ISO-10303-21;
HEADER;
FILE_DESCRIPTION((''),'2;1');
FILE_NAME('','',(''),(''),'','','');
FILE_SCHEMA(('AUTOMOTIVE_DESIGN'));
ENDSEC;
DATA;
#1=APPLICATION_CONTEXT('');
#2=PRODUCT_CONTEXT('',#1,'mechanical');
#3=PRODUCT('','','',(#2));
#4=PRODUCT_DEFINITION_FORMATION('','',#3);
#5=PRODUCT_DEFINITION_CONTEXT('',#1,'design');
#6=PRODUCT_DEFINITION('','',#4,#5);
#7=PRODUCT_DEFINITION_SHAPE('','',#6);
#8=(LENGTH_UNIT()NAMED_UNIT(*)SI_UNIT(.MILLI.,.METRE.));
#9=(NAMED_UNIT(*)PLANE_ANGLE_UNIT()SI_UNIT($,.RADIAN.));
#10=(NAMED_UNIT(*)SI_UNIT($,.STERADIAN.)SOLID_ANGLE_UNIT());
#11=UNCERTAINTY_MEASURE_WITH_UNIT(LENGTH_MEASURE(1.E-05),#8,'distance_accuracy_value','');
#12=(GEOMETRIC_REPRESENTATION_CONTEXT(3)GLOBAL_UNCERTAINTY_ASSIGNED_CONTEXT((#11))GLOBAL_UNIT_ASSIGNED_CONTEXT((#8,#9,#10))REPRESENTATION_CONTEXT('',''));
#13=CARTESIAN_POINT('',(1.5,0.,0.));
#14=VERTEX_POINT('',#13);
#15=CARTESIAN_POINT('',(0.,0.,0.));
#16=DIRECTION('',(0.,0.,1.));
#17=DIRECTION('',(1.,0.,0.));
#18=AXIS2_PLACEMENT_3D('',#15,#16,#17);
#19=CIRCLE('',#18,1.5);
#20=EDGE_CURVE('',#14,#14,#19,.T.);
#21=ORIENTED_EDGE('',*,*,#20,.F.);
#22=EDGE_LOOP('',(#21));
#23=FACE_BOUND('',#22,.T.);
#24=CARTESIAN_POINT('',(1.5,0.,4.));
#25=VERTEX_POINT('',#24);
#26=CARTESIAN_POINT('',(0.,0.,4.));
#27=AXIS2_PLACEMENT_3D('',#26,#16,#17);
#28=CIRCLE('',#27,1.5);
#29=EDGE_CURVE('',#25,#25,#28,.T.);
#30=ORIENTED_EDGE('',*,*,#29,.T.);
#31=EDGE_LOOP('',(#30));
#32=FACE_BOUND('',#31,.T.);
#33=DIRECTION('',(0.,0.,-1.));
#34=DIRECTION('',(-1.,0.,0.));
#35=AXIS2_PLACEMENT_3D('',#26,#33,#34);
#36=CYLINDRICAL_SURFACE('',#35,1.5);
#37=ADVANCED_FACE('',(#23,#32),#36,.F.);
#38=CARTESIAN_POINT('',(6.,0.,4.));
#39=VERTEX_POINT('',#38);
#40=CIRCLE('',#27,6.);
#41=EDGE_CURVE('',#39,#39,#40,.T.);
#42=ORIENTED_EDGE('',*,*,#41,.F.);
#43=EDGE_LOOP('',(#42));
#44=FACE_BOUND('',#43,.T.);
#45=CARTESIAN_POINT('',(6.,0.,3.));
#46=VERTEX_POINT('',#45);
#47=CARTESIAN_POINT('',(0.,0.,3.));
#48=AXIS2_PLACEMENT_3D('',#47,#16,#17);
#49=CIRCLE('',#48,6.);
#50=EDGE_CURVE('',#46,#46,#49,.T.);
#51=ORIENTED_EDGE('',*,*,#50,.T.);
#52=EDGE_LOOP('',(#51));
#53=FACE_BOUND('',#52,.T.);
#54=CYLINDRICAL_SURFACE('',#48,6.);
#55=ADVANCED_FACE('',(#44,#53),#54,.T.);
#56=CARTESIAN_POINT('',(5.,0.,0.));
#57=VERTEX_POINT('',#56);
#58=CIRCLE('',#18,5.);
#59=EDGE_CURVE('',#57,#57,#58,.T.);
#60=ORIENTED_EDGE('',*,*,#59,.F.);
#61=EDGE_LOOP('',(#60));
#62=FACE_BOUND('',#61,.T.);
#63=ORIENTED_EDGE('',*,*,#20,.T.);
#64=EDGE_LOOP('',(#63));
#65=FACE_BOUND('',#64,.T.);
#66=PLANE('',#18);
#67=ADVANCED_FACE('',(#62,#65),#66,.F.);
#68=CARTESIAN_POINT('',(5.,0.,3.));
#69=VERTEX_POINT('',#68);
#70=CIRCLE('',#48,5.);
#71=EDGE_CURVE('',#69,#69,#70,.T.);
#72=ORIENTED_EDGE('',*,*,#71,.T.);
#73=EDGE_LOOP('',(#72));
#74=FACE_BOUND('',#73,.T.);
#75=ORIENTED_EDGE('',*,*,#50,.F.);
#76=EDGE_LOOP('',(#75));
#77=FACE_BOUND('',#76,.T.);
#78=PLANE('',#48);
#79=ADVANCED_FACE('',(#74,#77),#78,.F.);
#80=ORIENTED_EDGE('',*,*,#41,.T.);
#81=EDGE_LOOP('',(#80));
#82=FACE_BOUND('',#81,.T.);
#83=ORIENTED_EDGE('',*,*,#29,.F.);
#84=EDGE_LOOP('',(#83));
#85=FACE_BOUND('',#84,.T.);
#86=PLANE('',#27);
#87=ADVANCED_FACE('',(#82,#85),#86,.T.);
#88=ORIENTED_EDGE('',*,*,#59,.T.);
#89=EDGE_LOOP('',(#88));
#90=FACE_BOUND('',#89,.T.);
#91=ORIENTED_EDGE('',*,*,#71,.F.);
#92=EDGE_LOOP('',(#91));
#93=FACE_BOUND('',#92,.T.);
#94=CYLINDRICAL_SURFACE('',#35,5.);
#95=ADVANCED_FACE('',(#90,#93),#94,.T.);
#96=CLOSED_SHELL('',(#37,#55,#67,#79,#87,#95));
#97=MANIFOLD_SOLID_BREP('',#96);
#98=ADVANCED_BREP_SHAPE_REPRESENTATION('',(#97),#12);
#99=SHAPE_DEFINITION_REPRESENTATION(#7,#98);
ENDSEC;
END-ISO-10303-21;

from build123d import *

# Parameters (mm, degrees)
SKETCH_1_R      = 5
SKETCH_1_R_2    = 1.5
EXTRUDE_1_DEPTH = 4
EXTRUDE_START   = -1
SKETCH_2_R      = 6
SKETCH_2_R_2    = 5
EXTRUDE_2_DEPTH = 1


with BuildPart() as part:
    # Эскиз1 → Бобышка-Вытянуть1 (new body)
    with BuildSketch(Plane.XY):
        Circle(SKETCH_1_R)
        Circle(SKETCH_1_R_2, mode=Mode.SUBTRACT)
    extrude(amount=EXTRUDE_1_DEPTH)

    # Эскиз2 → Бобышка-Вытянуть2 (add)
    with BuildSketch(Plane.XY.offset(4).offset(EXTRUDE_START)):
        Circle(SKETCH_2_R)
        Circle(SKETCH_2_R_2, mode=Mode.SUBTRACT)
    extrude(amount=EXTRUDE_2_DEPTH)


solid = part.part
